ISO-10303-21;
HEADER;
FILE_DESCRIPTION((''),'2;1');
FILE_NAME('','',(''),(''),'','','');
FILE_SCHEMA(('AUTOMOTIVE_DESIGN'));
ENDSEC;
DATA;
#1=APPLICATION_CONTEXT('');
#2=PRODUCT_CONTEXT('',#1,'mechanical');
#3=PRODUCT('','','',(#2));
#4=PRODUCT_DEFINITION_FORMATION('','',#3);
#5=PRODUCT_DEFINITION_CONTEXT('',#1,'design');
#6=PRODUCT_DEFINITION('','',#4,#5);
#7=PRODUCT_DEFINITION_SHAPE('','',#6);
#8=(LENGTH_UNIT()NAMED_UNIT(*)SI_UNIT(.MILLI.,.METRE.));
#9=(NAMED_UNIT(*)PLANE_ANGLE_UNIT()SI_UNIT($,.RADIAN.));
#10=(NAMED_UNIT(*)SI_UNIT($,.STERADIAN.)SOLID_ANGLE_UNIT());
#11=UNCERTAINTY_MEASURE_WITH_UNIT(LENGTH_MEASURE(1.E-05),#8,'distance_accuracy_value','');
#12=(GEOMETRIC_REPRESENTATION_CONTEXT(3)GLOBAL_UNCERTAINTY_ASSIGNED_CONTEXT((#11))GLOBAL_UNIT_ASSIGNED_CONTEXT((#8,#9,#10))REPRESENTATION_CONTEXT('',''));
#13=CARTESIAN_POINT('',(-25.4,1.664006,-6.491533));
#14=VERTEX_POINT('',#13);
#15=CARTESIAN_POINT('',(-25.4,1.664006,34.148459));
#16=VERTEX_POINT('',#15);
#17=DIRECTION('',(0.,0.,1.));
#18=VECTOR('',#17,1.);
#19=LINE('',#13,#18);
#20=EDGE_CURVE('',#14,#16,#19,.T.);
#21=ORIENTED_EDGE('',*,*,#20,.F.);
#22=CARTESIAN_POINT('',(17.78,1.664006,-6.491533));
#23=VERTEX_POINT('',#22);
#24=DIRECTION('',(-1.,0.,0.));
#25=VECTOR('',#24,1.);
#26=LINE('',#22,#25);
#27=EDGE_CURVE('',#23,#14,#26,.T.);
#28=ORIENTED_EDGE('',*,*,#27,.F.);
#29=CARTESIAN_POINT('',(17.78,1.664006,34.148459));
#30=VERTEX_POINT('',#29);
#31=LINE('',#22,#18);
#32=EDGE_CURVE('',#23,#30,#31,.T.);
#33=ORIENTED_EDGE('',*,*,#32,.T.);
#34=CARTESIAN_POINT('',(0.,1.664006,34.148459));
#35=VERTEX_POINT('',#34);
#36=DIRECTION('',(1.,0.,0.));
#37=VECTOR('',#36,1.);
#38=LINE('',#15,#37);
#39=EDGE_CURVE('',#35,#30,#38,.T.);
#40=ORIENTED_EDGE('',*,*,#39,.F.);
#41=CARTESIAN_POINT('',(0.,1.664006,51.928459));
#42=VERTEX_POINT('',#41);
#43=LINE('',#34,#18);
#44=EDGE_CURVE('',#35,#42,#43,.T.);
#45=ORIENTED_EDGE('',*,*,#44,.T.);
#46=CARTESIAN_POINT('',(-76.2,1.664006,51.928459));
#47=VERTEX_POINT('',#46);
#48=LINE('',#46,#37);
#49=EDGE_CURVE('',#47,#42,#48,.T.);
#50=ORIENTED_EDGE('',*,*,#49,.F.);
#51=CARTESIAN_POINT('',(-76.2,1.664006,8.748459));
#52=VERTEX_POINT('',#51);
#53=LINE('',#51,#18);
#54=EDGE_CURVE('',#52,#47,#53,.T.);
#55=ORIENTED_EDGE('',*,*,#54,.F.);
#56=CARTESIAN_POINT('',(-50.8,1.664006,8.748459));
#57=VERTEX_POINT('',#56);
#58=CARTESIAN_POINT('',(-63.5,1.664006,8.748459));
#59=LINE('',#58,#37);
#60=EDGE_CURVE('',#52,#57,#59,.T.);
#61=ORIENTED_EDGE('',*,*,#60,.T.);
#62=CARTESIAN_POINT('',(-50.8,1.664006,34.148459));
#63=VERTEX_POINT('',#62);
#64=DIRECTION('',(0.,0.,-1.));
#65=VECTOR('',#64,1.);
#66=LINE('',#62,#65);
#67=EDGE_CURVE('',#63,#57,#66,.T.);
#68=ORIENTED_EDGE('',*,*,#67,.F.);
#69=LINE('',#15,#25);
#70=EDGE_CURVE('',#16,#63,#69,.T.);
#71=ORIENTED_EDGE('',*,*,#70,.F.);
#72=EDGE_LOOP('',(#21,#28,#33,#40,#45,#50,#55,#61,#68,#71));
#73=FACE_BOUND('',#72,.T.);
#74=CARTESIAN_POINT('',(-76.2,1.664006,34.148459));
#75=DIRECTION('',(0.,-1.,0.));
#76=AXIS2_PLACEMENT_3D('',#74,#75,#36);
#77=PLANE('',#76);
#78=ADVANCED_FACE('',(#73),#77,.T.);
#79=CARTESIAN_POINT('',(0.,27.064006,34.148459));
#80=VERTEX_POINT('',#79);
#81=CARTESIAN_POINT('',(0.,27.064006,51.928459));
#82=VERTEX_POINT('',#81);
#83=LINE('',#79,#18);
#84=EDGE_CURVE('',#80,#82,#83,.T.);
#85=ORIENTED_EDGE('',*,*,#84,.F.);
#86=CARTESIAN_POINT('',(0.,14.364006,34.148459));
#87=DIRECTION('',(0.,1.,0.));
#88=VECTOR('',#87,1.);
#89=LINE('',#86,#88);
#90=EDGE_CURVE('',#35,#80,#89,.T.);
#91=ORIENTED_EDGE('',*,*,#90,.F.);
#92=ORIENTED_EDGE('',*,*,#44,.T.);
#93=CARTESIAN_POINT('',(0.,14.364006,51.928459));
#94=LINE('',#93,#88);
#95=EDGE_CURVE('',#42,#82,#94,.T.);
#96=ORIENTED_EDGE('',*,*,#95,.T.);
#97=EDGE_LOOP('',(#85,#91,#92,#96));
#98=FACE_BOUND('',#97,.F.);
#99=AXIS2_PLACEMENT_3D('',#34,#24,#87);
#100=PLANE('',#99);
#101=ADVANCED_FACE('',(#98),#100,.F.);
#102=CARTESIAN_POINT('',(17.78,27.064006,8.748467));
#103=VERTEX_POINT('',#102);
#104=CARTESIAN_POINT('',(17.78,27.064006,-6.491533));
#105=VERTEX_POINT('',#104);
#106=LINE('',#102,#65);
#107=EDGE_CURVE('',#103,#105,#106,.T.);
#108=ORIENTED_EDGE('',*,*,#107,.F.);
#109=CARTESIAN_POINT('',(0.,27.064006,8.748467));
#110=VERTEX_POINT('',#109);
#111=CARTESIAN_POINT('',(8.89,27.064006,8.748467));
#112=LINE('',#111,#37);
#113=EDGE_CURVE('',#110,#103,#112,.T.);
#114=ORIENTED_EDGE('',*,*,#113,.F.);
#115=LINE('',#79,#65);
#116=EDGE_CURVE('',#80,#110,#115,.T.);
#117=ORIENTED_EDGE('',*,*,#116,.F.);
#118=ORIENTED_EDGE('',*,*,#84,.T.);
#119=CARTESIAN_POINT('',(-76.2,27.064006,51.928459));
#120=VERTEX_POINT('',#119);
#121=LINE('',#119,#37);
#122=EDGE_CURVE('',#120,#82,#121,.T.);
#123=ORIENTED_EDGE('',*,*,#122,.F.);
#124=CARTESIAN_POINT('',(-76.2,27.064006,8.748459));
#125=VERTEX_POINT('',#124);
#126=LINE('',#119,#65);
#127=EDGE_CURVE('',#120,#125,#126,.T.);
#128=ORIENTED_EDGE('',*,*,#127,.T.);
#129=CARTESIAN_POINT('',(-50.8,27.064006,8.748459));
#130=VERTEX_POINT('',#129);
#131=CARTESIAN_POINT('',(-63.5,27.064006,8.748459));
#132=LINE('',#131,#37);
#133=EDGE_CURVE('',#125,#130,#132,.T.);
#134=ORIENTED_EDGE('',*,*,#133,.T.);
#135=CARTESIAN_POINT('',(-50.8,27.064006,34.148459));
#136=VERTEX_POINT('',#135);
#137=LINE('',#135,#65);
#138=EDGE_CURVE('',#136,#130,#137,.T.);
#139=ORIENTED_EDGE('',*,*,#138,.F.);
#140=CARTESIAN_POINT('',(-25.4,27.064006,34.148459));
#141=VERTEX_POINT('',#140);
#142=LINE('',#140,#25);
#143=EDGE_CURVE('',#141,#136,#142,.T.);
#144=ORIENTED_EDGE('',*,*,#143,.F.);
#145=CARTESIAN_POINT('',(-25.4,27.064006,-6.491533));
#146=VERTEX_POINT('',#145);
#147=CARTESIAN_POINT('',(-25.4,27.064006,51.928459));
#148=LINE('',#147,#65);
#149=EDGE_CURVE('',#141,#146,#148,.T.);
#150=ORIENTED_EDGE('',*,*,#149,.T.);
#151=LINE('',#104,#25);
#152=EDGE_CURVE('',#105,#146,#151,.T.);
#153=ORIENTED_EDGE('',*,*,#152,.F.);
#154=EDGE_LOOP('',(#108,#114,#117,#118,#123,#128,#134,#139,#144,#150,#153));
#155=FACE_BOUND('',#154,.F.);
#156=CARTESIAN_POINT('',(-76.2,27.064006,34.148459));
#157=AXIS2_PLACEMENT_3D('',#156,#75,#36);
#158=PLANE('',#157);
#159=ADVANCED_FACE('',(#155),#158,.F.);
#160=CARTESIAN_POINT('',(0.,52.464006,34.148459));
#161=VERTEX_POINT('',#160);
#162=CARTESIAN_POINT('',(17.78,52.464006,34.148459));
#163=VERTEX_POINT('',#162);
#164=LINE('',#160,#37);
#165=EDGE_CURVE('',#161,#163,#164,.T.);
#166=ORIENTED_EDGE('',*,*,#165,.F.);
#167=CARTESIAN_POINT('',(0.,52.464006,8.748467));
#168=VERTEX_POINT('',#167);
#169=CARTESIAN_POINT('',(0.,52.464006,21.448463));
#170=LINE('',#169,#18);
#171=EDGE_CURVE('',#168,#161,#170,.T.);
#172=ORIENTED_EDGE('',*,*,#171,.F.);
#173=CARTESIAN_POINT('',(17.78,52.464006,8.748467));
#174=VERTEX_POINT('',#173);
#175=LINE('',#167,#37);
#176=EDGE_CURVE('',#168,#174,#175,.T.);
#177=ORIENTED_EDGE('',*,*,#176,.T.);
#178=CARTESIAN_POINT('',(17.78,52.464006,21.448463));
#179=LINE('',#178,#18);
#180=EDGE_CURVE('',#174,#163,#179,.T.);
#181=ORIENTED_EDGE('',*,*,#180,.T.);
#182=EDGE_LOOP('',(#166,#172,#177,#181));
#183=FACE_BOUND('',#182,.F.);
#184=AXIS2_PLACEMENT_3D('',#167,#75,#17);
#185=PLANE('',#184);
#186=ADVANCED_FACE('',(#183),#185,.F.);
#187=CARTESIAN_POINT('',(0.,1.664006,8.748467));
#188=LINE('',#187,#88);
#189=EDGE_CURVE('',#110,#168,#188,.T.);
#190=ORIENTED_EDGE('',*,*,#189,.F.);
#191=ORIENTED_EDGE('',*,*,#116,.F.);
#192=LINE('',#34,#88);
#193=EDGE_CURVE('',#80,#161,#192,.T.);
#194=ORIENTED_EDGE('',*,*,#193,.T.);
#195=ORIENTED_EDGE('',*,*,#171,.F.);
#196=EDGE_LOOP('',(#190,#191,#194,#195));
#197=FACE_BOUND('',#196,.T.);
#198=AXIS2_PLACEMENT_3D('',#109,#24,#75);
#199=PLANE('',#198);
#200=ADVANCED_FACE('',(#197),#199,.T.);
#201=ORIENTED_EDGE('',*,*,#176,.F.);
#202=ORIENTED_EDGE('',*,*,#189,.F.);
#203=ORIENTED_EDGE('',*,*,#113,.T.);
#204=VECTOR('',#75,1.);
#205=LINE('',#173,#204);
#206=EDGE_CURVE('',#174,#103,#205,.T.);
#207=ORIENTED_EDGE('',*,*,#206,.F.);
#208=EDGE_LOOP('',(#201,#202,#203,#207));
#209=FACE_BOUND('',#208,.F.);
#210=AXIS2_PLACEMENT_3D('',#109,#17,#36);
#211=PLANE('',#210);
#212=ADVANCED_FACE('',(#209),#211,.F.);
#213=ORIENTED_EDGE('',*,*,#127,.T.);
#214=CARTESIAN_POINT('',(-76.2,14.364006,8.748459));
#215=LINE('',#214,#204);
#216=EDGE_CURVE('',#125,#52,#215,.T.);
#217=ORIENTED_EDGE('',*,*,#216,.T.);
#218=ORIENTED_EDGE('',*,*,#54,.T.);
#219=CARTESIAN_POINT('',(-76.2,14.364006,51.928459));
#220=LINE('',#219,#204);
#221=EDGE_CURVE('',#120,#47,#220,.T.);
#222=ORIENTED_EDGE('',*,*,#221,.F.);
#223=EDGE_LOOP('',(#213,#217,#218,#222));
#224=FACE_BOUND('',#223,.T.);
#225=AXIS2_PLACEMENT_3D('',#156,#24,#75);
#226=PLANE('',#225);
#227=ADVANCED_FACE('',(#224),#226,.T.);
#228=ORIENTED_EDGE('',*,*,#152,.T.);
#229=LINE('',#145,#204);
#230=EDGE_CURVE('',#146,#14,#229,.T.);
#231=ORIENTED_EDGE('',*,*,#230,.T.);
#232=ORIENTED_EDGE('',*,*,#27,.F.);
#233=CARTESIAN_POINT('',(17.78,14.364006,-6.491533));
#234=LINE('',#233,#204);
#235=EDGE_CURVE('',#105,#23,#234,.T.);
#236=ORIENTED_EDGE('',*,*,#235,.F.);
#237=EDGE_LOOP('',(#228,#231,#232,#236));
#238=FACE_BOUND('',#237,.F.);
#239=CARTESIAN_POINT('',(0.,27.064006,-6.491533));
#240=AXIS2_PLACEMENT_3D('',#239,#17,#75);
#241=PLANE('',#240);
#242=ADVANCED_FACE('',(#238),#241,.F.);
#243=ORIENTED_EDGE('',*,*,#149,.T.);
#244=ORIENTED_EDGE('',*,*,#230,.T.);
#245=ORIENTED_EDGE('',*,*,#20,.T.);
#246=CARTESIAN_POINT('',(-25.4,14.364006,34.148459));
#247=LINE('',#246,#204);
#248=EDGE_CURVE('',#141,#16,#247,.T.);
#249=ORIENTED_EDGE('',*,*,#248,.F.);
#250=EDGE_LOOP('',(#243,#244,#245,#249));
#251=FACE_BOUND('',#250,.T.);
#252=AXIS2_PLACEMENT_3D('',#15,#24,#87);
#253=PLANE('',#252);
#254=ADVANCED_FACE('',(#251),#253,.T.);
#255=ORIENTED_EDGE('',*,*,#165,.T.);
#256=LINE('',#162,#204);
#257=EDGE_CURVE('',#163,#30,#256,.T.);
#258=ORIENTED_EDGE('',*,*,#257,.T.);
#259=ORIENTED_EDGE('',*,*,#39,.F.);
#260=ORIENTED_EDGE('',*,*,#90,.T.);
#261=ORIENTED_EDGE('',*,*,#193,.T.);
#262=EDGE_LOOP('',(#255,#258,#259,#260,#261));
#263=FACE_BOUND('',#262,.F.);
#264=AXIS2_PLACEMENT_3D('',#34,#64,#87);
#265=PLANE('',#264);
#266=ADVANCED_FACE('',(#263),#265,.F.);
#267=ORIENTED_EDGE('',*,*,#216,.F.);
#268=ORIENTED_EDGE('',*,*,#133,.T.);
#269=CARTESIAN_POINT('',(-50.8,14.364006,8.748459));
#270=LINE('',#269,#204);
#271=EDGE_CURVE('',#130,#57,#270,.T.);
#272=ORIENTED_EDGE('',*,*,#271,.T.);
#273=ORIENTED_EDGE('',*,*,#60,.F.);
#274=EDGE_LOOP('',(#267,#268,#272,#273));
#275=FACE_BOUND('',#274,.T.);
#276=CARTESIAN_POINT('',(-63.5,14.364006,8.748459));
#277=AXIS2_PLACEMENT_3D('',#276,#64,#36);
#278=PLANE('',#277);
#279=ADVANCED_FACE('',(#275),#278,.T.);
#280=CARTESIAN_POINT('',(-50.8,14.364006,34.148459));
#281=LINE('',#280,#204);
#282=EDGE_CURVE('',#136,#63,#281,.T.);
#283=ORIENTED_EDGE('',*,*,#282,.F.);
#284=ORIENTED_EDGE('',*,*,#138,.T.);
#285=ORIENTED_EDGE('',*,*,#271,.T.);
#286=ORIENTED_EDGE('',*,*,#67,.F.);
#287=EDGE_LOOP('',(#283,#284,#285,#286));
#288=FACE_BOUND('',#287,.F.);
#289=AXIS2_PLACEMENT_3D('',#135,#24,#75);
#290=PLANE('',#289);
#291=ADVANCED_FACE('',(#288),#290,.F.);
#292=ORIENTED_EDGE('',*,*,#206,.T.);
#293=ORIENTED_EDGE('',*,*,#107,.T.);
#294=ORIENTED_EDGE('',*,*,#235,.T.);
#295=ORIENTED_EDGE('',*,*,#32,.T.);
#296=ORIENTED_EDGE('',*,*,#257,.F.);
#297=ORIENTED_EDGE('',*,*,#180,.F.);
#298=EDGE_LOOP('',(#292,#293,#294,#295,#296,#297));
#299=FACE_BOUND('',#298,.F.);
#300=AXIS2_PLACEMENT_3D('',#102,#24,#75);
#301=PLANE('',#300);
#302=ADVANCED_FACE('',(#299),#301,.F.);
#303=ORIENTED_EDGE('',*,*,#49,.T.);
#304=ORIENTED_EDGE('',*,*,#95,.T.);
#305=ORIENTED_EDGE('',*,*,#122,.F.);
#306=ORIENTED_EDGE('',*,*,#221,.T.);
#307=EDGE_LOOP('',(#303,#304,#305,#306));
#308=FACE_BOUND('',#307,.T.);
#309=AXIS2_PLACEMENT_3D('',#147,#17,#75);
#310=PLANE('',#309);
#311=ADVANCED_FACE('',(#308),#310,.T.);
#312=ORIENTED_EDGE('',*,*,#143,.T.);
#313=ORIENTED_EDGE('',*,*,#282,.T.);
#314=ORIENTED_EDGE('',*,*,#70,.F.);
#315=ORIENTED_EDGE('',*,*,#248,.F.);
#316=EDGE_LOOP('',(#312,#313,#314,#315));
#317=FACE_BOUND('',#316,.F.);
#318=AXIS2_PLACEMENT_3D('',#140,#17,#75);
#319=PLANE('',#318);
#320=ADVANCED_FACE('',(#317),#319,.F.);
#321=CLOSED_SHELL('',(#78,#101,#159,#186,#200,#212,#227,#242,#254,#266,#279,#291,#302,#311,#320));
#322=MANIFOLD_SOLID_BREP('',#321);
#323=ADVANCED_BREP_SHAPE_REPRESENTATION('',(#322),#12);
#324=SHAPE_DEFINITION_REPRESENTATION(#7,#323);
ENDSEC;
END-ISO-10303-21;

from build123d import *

# Parameters (mm, degrees)
F0_W      = 25.4
F0_H      = 25.3999925918
F1_DEPTH  = 17.78
F2_DEPTH  = 25.4
F3_W      = 17.78
F3_H      = 25.4
F4_DEPTH  = 15.24
F6_DEPTH  = 25.4
F7_W      = 25.4
F7_H      = 25.4
F8_DEPTH  = 17.78
F9_W      = 25.4
F9_H      = 17.78
F10_DEPTH = 50.8
F11_W     = 25.4
F11_H     = 25.4
F12_DEPTH = 25.4


with BuildPart() as f1:
    # F0 (on Right) → F1 (new body)
    with BuildSketch(Plane.YZ):
        with Locations((39.7640056908, 21.4484632015)):
            Rectangle(F0_W, F0_H)
    extrude(amount=F1_DEPTH)

    # F2 (add): a face of the model
    f2_faces = [f1.faces().sort_by_distance(p)[0] for p in [
        (8.89, 27.0640056908, 21.4484632015),
    ]]
    extrude(f2_faces, amount=F2_DEPTH)

    # F3 (on face) → F4 (join)
    with BuildSketch(Plane(origin=(0, 0, 8.7484669056), x_dir=(1, 0, 0), z_dir=(0, 0, -1))):
        with Locations((8.89, -14.3640056908)):
            Rectangle(F3_W, F3_H)
    extrude(amount=F4_DEPTH)

    # F5 (on face) → F6 (join)
    with BuildSketch(Plane(origin=(0, 0, 0), x_dir=(0, -1, 0), z_dir=(-1, 0, 0))):
        Polygon((-27.0640056908, 34.1484594974), (-27.0640056908, 8.7484669056), (-27.0640056908, -6.4915330944), (-1.6640056908, -6.4915330944), (-1.6640056908, 34.1484594974), align=None)
    extrude(amount=F6_DEPTH)

    # F7 (on face) → F8 (join)
    with BuildSketch(Plane.XY.offset(34.1484594974)):
        with Locations((-12.7, 14.3640056908)):
            Rectangle(F7_W, F7_H)
    extrude(amount=F8_DEPTH)

    # F9 (on face) → F10 (join)
    with BuildSketch(Plane(origin=(-25.4, 0, 0), x_dir=(0, -1, 0), z_dir=(-1, 0, 0))):
        with Locations((-14.3640056908, 43.0384594974)):
            Rectangle(F9_W, F9_H)
    extrude(amount=F10_DEPTH)

    # F11 (on face) → F12 (join)
    with BuildSketch(Plane(origin=(0, 0, 34.1484594974), x_dir=(1, 0, 0), z_dir=(0, 0, -1))):
        with Locations((-63.5, -14.3640056908)):
            Rectangle(F11_W, F11_H)
    extrude(amount=F12_DEPTH)


solid = f1.part
